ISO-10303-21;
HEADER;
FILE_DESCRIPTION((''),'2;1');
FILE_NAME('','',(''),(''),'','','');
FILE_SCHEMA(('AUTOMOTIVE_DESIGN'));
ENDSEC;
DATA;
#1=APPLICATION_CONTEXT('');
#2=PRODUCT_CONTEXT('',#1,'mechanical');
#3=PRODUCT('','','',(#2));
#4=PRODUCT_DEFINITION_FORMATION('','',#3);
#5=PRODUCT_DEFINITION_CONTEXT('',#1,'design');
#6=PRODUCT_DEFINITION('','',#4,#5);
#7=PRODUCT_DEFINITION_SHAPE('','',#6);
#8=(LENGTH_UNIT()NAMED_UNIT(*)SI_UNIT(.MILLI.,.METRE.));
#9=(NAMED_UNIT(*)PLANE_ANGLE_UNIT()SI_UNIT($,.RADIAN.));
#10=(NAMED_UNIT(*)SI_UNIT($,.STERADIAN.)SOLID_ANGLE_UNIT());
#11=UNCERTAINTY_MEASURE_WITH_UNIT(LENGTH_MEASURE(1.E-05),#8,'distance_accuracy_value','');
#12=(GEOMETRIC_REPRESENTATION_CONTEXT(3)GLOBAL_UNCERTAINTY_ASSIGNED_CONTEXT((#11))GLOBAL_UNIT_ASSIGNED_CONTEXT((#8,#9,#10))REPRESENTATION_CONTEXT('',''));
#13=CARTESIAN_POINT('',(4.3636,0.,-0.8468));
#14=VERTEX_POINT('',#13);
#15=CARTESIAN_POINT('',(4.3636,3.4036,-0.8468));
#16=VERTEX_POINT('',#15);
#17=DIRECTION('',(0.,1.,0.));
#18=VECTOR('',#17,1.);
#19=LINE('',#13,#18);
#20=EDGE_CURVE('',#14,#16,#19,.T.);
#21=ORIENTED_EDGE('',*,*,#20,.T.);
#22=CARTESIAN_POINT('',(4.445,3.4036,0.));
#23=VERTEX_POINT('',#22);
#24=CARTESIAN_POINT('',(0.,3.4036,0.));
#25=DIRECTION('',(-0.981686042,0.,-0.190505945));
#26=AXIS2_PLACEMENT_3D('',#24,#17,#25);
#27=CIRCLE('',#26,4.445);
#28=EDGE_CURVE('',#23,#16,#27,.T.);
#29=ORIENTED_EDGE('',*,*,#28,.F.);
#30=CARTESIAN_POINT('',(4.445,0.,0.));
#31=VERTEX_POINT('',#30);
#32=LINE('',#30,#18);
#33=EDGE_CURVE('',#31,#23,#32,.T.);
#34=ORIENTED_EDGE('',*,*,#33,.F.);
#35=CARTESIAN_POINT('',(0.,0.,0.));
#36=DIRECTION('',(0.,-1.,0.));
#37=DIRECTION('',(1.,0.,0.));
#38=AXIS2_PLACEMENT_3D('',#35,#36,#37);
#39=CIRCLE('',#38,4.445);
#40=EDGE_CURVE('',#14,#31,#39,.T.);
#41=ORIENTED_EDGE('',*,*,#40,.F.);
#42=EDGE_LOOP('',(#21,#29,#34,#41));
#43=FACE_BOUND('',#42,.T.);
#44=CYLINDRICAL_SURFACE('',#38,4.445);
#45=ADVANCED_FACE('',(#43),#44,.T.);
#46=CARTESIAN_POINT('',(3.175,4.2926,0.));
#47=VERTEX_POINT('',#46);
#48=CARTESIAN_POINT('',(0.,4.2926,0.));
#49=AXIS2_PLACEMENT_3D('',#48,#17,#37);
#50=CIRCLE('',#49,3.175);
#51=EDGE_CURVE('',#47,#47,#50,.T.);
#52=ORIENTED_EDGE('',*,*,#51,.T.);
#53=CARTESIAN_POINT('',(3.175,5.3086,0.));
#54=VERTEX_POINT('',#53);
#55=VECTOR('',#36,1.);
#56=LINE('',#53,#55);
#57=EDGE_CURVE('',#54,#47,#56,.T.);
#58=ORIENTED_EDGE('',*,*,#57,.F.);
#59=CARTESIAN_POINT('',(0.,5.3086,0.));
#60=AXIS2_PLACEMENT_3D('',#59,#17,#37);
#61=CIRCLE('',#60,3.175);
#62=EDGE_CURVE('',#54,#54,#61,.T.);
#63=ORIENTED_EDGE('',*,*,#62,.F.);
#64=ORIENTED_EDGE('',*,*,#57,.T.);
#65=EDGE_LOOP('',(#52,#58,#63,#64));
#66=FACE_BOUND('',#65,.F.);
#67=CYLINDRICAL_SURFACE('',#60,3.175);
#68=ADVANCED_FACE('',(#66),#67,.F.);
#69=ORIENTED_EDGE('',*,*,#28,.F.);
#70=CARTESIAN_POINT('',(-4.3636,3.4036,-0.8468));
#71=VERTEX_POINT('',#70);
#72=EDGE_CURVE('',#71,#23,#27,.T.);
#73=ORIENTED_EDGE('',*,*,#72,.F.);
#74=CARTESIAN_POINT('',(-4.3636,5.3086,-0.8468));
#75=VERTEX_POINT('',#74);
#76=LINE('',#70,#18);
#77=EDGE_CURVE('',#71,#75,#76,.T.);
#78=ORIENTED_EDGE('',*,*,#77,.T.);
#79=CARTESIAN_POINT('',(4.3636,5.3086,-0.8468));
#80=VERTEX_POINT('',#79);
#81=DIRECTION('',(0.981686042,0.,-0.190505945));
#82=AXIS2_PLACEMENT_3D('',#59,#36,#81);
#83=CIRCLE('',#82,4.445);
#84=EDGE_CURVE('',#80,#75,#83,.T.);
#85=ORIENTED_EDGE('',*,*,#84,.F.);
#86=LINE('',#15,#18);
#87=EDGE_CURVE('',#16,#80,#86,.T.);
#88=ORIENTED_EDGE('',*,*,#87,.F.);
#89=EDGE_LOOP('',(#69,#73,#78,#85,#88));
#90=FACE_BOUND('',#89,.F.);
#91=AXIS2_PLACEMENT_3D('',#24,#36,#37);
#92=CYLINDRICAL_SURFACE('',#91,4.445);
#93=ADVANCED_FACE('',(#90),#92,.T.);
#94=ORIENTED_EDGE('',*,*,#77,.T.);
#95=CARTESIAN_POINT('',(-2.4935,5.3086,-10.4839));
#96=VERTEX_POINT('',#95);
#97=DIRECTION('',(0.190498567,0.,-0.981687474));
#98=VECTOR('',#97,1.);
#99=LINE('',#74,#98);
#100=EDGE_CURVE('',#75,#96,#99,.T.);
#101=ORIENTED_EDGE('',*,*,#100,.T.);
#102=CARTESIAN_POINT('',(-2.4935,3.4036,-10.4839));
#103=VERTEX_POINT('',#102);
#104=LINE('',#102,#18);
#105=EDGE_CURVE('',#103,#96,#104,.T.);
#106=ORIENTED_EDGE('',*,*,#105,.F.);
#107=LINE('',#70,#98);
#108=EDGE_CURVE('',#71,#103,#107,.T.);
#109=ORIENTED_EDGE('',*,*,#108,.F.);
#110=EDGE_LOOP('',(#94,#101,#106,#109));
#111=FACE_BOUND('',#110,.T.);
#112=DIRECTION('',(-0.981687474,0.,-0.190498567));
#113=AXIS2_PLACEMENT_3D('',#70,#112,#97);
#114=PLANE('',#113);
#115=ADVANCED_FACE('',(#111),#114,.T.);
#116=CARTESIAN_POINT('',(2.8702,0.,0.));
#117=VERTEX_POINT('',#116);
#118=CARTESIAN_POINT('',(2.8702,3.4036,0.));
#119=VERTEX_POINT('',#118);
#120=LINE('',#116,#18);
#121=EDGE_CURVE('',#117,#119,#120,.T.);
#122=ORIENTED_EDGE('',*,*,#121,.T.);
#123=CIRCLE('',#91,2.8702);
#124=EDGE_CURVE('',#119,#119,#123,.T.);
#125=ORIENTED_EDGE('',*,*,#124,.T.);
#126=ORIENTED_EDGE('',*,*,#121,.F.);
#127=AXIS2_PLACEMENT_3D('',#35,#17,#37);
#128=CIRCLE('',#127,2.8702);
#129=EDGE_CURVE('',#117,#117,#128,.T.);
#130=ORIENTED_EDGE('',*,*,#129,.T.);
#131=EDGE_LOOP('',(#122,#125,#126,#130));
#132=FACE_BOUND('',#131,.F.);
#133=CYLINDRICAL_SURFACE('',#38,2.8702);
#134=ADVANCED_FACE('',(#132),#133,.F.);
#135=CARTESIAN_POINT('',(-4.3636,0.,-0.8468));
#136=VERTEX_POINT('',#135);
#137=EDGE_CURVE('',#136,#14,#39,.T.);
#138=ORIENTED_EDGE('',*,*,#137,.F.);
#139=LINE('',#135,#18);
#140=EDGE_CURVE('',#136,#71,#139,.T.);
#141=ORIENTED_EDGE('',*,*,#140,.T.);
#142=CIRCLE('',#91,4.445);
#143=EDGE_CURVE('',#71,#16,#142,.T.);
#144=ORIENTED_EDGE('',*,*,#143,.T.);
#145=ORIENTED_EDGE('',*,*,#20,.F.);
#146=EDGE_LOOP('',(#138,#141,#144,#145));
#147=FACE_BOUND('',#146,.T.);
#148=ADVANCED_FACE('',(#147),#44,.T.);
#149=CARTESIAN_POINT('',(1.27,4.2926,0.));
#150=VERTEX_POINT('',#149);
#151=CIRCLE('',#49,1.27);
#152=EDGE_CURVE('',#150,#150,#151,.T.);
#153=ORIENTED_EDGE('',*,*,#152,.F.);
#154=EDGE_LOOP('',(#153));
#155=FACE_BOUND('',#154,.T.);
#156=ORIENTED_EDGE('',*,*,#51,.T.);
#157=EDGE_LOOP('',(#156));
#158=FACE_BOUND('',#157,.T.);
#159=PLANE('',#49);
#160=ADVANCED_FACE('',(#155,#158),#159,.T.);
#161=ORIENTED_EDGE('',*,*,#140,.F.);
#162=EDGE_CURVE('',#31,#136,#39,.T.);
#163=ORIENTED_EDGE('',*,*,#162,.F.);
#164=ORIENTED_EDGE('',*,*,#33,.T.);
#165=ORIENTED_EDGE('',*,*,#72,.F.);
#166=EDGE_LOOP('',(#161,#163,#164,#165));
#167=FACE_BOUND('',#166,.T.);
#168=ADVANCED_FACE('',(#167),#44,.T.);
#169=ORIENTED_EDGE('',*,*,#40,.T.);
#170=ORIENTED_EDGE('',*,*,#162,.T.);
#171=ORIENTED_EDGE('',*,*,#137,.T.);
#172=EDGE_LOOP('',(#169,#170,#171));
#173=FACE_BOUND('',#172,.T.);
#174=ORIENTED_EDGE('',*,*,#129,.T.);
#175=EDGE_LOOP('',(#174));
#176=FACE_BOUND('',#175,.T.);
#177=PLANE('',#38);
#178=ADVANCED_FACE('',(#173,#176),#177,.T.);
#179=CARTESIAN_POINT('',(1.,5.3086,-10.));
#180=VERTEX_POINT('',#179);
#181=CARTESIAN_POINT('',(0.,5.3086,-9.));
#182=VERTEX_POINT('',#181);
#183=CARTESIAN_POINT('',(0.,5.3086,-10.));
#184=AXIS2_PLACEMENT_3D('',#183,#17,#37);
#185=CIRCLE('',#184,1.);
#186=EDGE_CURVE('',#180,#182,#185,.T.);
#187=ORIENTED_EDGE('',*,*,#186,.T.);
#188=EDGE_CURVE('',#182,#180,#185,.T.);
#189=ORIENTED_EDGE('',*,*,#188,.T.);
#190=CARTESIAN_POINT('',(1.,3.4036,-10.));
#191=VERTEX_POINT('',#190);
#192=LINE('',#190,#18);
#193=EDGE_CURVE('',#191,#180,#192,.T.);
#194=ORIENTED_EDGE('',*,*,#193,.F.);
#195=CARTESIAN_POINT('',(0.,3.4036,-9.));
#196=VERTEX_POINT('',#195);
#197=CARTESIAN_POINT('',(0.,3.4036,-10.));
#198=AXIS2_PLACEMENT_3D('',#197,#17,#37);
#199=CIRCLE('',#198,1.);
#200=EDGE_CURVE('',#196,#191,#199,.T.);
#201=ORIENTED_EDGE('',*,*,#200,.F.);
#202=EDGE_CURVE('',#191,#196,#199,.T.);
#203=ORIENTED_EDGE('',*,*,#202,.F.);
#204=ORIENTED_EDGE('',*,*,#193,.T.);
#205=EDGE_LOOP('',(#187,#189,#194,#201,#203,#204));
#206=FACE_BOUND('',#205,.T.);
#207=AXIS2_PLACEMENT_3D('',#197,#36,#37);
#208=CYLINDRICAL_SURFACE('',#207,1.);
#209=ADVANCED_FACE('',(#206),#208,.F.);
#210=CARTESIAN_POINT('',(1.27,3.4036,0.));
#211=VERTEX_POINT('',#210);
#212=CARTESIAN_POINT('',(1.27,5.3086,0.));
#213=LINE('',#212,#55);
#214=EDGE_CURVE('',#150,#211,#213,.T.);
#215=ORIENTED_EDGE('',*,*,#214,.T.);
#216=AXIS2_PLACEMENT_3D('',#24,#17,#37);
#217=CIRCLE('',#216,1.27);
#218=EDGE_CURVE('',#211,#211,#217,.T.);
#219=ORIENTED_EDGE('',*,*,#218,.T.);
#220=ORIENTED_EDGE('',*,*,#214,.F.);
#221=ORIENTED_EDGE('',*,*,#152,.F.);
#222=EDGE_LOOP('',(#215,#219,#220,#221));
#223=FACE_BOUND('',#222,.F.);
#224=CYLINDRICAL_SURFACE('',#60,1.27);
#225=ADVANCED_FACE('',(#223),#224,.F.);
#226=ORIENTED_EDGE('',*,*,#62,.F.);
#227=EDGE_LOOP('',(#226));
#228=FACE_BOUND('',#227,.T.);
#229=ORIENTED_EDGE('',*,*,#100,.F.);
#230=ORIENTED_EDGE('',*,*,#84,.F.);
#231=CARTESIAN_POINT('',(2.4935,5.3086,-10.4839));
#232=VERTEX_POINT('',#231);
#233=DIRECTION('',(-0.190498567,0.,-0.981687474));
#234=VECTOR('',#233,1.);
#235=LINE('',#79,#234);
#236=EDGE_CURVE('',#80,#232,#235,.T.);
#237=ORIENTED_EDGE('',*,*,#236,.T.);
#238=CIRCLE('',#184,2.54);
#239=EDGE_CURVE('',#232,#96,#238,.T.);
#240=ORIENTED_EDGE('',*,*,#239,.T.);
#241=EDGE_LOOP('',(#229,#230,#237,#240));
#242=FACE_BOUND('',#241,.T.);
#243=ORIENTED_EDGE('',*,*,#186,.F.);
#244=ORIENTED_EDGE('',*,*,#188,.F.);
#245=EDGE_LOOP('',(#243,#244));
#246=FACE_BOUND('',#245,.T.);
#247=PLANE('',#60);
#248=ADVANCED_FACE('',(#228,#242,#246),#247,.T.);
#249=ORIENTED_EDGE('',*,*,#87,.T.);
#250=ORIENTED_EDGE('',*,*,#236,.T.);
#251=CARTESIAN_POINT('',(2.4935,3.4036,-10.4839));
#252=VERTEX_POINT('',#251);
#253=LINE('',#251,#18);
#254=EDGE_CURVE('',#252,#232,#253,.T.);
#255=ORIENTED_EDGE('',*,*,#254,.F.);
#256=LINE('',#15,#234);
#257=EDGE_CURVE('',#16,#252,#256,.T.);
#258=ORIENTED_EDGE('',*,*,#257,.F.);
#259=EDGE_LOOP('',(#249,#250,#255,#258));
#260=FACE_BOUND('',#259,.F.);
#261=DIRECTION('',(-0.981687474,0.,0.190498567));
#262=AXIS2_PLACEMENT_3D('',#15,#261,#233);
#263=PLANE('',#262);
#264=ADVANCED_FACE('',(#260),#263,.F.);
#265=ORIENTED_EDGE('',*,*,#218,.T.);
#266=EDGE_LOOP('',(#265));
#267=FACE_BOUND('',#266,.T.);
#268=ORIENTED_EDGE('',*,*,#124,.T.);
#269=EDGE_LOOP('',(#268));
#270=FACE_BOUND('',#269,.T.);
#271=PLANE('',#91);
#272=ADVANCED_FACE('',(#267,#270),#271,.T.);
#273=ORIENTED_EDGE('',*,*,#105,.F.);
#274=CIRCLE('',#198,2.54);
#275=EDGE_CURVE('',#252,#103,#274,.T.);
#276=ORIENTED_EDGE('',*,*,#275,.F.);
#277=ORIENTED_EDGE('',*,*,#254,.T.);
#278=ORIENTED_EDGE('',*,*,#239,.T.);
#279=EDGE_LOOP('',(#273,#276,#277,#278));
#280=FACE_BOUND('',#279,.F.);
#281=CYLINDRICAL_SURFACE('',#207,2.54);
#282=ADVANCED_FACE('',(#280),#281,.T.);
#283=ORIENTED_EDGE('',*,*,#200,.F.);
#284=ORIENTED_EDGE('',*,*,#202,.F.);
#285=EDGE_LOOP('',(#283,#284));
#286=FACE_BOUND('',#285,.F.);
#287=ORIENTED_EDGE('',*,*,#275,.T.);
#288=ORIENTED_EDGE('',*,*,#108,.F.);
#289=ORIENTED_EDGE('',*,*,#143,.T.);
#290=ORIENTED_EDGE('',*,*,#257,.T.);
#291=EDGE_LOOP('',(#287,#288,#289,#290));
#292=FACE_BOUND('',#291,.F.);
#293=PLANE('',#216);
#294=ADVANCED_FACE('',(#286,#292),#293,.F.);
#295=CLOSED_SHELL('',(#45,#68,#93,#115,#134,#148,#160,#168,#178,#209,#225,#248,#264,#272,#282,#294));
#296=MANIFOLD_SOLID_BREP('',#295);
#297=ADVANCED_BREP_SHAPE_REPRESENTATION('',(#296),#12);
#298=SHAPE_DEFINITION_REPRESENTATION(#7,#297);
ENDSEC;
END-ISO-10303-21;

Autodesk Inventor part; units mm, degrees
ref_plane "YZ Plane" through (0, 0, 0) normal (1, 0, 0) x (0, 1, 0)
ref_plane "XZ Plane" through (0, 0, 0) normal (0, 1, 0) x (-1, 0, 0)
ref_plane "XY Plane" through (0, 0, 0) normal (0, 0, 1) x (1, 0, 0)
sketch "Sketch1" plane through (0, 0, 0) normal (0, 1, 0) x (-1, 0, 0)
  circle A0 centre (0, 0) radius 2.8702
  dimension "d0" = 5.7404
extrude "Extrusion1" add sketch "Sketch1" along normal blind 3.4036
sketch "Sketch2" plane through (0, 3.4036, 0) normal (0, 1, 0) x (1, 0, 0)
  circle A0 centre (0, 0) radius 4.445
  line L0 (0, 0) -> (0, 10)
  circle A1 centre (0, 10) radius 1
  circle A2 centre (0, 10) radius 2.54
  line L1 (-4.3636, 0.8468) -> (-2.4935, 10.4839)
  line L2 (4.3636, 0.8468) -> (2.4935, 10.4839)
  dimension "d3" = 8.89
  dimension "d4" = 10
  dimension "d5" = 2
  dimension "d6" = 5.08
extrude "Extrusion2" add sketch "Sketch2" along normal blind 1.905
sketch "Sketch3" plane through (0, 5.3086, 0) normal (0, 1, 0) x (1, 0, 0)
  circle A0 centre (0, 0) radius 1.27
  dimension "d9" = 2.54
extrude "Extrusion3" cut sketch "Sketch3" against normal through all
sketch "Sketch4" plane through (0, 5.3086, 0) normal (0, 1, 0) x (1, 0, 0)
  circle A0 centre (0, 0) radius 3.175
  dimension "d12" = 6.35
extrude "Extrusion4" cut sketch "Sketch4" against normal blind 1.016
sketch "Sketch5" plane through (0, 0, 0) normal (0, -1, 0) x (1, 0, 0)
  circle A0 centre (0, 0) radius 4.445
  circle A1 centre (0, 0) radius 2.8702 projected
  arc A2 (4.3636, -0.8468) -> (-4.3636, -0.8468) centre (0, 0) ccw projected
  dimension "d21" = 8.89
extrude "Extrusion6" add sketch "Sketch5" against normal up to surface (3.4036 mm away)
extrude "Extrusion7" cut sketch "Sketch5" against normal blind 3.4036 contours A1
properties part number "ServoHorn10mmPitch" material "ABS Plastic"
